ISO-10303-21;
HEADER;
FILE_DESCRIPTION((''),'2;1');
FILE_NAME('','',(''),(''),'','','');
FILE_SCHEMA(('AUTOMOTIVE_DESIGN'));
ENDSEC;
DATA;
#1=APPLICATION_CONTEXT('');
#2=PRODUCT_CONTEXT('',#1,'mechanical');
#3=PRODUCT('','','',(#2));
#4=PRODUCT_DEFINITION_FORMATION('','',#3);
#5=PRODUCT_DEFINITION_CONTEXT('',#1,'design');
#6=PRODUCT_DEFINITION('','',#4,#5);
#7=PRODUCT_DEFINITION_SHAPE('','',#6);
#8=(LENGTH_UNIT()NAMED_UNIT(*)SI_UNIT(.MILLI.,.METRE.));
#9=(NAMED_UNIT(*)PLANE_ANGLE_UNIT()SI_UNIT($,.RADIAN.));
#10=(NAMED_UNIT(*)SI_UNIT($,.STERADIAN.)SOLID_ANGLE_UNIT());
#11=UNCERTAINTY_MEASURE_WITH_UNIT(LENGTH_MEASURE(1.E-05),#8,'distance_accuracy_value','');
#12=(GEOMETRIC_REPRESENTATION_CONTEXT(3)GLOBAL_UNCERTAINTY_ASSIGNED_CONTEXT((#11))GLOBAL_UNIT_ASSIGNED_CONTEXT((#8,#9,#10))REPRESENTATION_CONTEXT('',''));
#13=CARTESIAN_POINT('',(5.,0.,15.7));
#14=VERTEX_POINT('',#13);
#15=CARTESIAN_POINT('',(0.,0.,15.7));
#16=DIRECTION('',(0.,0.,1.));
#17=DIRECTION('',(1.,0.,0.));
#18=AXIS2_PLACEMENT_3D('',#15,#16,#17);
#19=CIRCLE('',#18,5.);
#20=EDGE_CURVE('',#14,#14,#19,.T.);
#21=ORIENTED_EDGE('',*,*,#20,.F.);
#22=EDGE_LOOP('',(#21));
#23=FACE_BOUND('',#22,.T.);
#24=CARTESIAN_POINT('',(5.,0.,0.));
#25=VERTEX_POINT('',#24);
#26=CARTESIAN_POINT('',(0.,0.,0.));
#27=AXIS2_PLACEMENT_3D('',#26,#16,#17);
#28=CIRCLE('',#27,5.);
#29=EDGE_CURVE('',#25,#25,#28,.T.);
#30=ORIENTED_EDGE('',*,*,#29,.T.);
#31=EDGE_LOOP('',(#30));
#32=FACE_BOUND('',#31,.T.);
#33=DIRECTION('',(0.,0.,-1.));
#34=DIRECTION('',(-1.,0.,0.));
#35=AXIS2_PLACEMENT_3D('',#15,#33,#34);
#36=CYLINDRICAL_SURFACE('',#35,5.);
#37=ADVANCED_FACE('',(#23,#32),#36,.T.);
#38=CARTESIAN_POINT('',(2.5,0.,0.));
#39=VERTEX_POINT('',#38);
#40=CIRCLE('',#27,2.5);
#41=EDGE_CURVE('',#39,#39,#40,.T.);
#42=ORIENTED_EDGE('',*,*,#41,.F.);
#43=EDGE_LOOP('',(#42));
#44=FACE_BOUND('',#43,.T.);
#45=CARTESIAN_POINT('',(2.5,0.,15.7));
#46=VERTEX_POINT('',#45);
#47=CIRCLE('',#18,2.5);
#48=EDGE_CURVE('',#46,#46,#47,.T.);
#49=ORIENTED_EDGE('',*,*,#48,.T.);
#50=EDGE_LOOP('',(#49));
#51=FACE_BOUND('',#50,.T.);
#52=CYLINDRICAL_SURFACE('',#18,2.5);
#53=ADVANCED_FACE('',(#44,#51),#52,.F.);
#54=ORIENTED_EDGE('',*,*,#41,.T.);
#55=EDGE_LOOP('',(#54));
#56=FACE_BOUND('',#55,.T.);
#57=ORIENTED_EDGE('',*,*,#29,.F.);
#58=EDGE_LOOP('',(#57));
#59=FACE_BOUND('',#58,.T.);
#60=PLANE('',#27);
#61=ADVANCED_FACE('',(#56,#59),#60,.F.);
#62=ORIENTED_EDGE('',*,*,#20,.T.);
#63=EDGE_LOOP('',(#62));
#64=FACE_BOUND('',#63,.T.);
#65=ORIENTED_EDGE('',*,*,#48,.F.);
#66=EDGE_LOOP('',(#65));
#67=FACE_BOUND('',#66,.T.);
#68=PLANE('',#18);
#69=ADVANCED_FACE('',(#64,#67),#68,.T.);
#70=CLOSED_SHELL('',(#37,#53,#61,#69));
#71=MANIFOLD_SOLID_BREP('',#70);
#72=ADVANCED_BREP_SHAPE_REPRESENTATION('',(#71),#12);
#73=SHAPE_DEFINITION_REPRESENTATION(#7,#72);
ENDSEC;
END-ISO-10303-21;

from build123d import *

# Parameters (mm, degrees)
SKETCH1_R                 = 5
BOSS_EXTRUDE1_DEPTH       = 15.7
F_5_0MM_DOWEL_HOLE1_D     = 5
F_5_0MM_DOWEL_HOLE1_DEPTH = 15.7


with BuildPart() as part:
    # Sketch1 → Boss-Extrude1 (new body)
    with BuildSketch(Plane.XY):
        Circle(SKETCH1_R)
    extrude(amount=BOSS_EXTRUDE1_DEPTH)

    # Ø5.0mm Dowel Hole1
    with Locations(Plane.XY.offset(15.7)):
        with Locations((0, 0)):
            Hole(F_5_0MM_DOWEL_HOLE1_D / 2, depth=F_5_0MM_DOWEL_HOLE1_DEPTH)


solid = part.part
